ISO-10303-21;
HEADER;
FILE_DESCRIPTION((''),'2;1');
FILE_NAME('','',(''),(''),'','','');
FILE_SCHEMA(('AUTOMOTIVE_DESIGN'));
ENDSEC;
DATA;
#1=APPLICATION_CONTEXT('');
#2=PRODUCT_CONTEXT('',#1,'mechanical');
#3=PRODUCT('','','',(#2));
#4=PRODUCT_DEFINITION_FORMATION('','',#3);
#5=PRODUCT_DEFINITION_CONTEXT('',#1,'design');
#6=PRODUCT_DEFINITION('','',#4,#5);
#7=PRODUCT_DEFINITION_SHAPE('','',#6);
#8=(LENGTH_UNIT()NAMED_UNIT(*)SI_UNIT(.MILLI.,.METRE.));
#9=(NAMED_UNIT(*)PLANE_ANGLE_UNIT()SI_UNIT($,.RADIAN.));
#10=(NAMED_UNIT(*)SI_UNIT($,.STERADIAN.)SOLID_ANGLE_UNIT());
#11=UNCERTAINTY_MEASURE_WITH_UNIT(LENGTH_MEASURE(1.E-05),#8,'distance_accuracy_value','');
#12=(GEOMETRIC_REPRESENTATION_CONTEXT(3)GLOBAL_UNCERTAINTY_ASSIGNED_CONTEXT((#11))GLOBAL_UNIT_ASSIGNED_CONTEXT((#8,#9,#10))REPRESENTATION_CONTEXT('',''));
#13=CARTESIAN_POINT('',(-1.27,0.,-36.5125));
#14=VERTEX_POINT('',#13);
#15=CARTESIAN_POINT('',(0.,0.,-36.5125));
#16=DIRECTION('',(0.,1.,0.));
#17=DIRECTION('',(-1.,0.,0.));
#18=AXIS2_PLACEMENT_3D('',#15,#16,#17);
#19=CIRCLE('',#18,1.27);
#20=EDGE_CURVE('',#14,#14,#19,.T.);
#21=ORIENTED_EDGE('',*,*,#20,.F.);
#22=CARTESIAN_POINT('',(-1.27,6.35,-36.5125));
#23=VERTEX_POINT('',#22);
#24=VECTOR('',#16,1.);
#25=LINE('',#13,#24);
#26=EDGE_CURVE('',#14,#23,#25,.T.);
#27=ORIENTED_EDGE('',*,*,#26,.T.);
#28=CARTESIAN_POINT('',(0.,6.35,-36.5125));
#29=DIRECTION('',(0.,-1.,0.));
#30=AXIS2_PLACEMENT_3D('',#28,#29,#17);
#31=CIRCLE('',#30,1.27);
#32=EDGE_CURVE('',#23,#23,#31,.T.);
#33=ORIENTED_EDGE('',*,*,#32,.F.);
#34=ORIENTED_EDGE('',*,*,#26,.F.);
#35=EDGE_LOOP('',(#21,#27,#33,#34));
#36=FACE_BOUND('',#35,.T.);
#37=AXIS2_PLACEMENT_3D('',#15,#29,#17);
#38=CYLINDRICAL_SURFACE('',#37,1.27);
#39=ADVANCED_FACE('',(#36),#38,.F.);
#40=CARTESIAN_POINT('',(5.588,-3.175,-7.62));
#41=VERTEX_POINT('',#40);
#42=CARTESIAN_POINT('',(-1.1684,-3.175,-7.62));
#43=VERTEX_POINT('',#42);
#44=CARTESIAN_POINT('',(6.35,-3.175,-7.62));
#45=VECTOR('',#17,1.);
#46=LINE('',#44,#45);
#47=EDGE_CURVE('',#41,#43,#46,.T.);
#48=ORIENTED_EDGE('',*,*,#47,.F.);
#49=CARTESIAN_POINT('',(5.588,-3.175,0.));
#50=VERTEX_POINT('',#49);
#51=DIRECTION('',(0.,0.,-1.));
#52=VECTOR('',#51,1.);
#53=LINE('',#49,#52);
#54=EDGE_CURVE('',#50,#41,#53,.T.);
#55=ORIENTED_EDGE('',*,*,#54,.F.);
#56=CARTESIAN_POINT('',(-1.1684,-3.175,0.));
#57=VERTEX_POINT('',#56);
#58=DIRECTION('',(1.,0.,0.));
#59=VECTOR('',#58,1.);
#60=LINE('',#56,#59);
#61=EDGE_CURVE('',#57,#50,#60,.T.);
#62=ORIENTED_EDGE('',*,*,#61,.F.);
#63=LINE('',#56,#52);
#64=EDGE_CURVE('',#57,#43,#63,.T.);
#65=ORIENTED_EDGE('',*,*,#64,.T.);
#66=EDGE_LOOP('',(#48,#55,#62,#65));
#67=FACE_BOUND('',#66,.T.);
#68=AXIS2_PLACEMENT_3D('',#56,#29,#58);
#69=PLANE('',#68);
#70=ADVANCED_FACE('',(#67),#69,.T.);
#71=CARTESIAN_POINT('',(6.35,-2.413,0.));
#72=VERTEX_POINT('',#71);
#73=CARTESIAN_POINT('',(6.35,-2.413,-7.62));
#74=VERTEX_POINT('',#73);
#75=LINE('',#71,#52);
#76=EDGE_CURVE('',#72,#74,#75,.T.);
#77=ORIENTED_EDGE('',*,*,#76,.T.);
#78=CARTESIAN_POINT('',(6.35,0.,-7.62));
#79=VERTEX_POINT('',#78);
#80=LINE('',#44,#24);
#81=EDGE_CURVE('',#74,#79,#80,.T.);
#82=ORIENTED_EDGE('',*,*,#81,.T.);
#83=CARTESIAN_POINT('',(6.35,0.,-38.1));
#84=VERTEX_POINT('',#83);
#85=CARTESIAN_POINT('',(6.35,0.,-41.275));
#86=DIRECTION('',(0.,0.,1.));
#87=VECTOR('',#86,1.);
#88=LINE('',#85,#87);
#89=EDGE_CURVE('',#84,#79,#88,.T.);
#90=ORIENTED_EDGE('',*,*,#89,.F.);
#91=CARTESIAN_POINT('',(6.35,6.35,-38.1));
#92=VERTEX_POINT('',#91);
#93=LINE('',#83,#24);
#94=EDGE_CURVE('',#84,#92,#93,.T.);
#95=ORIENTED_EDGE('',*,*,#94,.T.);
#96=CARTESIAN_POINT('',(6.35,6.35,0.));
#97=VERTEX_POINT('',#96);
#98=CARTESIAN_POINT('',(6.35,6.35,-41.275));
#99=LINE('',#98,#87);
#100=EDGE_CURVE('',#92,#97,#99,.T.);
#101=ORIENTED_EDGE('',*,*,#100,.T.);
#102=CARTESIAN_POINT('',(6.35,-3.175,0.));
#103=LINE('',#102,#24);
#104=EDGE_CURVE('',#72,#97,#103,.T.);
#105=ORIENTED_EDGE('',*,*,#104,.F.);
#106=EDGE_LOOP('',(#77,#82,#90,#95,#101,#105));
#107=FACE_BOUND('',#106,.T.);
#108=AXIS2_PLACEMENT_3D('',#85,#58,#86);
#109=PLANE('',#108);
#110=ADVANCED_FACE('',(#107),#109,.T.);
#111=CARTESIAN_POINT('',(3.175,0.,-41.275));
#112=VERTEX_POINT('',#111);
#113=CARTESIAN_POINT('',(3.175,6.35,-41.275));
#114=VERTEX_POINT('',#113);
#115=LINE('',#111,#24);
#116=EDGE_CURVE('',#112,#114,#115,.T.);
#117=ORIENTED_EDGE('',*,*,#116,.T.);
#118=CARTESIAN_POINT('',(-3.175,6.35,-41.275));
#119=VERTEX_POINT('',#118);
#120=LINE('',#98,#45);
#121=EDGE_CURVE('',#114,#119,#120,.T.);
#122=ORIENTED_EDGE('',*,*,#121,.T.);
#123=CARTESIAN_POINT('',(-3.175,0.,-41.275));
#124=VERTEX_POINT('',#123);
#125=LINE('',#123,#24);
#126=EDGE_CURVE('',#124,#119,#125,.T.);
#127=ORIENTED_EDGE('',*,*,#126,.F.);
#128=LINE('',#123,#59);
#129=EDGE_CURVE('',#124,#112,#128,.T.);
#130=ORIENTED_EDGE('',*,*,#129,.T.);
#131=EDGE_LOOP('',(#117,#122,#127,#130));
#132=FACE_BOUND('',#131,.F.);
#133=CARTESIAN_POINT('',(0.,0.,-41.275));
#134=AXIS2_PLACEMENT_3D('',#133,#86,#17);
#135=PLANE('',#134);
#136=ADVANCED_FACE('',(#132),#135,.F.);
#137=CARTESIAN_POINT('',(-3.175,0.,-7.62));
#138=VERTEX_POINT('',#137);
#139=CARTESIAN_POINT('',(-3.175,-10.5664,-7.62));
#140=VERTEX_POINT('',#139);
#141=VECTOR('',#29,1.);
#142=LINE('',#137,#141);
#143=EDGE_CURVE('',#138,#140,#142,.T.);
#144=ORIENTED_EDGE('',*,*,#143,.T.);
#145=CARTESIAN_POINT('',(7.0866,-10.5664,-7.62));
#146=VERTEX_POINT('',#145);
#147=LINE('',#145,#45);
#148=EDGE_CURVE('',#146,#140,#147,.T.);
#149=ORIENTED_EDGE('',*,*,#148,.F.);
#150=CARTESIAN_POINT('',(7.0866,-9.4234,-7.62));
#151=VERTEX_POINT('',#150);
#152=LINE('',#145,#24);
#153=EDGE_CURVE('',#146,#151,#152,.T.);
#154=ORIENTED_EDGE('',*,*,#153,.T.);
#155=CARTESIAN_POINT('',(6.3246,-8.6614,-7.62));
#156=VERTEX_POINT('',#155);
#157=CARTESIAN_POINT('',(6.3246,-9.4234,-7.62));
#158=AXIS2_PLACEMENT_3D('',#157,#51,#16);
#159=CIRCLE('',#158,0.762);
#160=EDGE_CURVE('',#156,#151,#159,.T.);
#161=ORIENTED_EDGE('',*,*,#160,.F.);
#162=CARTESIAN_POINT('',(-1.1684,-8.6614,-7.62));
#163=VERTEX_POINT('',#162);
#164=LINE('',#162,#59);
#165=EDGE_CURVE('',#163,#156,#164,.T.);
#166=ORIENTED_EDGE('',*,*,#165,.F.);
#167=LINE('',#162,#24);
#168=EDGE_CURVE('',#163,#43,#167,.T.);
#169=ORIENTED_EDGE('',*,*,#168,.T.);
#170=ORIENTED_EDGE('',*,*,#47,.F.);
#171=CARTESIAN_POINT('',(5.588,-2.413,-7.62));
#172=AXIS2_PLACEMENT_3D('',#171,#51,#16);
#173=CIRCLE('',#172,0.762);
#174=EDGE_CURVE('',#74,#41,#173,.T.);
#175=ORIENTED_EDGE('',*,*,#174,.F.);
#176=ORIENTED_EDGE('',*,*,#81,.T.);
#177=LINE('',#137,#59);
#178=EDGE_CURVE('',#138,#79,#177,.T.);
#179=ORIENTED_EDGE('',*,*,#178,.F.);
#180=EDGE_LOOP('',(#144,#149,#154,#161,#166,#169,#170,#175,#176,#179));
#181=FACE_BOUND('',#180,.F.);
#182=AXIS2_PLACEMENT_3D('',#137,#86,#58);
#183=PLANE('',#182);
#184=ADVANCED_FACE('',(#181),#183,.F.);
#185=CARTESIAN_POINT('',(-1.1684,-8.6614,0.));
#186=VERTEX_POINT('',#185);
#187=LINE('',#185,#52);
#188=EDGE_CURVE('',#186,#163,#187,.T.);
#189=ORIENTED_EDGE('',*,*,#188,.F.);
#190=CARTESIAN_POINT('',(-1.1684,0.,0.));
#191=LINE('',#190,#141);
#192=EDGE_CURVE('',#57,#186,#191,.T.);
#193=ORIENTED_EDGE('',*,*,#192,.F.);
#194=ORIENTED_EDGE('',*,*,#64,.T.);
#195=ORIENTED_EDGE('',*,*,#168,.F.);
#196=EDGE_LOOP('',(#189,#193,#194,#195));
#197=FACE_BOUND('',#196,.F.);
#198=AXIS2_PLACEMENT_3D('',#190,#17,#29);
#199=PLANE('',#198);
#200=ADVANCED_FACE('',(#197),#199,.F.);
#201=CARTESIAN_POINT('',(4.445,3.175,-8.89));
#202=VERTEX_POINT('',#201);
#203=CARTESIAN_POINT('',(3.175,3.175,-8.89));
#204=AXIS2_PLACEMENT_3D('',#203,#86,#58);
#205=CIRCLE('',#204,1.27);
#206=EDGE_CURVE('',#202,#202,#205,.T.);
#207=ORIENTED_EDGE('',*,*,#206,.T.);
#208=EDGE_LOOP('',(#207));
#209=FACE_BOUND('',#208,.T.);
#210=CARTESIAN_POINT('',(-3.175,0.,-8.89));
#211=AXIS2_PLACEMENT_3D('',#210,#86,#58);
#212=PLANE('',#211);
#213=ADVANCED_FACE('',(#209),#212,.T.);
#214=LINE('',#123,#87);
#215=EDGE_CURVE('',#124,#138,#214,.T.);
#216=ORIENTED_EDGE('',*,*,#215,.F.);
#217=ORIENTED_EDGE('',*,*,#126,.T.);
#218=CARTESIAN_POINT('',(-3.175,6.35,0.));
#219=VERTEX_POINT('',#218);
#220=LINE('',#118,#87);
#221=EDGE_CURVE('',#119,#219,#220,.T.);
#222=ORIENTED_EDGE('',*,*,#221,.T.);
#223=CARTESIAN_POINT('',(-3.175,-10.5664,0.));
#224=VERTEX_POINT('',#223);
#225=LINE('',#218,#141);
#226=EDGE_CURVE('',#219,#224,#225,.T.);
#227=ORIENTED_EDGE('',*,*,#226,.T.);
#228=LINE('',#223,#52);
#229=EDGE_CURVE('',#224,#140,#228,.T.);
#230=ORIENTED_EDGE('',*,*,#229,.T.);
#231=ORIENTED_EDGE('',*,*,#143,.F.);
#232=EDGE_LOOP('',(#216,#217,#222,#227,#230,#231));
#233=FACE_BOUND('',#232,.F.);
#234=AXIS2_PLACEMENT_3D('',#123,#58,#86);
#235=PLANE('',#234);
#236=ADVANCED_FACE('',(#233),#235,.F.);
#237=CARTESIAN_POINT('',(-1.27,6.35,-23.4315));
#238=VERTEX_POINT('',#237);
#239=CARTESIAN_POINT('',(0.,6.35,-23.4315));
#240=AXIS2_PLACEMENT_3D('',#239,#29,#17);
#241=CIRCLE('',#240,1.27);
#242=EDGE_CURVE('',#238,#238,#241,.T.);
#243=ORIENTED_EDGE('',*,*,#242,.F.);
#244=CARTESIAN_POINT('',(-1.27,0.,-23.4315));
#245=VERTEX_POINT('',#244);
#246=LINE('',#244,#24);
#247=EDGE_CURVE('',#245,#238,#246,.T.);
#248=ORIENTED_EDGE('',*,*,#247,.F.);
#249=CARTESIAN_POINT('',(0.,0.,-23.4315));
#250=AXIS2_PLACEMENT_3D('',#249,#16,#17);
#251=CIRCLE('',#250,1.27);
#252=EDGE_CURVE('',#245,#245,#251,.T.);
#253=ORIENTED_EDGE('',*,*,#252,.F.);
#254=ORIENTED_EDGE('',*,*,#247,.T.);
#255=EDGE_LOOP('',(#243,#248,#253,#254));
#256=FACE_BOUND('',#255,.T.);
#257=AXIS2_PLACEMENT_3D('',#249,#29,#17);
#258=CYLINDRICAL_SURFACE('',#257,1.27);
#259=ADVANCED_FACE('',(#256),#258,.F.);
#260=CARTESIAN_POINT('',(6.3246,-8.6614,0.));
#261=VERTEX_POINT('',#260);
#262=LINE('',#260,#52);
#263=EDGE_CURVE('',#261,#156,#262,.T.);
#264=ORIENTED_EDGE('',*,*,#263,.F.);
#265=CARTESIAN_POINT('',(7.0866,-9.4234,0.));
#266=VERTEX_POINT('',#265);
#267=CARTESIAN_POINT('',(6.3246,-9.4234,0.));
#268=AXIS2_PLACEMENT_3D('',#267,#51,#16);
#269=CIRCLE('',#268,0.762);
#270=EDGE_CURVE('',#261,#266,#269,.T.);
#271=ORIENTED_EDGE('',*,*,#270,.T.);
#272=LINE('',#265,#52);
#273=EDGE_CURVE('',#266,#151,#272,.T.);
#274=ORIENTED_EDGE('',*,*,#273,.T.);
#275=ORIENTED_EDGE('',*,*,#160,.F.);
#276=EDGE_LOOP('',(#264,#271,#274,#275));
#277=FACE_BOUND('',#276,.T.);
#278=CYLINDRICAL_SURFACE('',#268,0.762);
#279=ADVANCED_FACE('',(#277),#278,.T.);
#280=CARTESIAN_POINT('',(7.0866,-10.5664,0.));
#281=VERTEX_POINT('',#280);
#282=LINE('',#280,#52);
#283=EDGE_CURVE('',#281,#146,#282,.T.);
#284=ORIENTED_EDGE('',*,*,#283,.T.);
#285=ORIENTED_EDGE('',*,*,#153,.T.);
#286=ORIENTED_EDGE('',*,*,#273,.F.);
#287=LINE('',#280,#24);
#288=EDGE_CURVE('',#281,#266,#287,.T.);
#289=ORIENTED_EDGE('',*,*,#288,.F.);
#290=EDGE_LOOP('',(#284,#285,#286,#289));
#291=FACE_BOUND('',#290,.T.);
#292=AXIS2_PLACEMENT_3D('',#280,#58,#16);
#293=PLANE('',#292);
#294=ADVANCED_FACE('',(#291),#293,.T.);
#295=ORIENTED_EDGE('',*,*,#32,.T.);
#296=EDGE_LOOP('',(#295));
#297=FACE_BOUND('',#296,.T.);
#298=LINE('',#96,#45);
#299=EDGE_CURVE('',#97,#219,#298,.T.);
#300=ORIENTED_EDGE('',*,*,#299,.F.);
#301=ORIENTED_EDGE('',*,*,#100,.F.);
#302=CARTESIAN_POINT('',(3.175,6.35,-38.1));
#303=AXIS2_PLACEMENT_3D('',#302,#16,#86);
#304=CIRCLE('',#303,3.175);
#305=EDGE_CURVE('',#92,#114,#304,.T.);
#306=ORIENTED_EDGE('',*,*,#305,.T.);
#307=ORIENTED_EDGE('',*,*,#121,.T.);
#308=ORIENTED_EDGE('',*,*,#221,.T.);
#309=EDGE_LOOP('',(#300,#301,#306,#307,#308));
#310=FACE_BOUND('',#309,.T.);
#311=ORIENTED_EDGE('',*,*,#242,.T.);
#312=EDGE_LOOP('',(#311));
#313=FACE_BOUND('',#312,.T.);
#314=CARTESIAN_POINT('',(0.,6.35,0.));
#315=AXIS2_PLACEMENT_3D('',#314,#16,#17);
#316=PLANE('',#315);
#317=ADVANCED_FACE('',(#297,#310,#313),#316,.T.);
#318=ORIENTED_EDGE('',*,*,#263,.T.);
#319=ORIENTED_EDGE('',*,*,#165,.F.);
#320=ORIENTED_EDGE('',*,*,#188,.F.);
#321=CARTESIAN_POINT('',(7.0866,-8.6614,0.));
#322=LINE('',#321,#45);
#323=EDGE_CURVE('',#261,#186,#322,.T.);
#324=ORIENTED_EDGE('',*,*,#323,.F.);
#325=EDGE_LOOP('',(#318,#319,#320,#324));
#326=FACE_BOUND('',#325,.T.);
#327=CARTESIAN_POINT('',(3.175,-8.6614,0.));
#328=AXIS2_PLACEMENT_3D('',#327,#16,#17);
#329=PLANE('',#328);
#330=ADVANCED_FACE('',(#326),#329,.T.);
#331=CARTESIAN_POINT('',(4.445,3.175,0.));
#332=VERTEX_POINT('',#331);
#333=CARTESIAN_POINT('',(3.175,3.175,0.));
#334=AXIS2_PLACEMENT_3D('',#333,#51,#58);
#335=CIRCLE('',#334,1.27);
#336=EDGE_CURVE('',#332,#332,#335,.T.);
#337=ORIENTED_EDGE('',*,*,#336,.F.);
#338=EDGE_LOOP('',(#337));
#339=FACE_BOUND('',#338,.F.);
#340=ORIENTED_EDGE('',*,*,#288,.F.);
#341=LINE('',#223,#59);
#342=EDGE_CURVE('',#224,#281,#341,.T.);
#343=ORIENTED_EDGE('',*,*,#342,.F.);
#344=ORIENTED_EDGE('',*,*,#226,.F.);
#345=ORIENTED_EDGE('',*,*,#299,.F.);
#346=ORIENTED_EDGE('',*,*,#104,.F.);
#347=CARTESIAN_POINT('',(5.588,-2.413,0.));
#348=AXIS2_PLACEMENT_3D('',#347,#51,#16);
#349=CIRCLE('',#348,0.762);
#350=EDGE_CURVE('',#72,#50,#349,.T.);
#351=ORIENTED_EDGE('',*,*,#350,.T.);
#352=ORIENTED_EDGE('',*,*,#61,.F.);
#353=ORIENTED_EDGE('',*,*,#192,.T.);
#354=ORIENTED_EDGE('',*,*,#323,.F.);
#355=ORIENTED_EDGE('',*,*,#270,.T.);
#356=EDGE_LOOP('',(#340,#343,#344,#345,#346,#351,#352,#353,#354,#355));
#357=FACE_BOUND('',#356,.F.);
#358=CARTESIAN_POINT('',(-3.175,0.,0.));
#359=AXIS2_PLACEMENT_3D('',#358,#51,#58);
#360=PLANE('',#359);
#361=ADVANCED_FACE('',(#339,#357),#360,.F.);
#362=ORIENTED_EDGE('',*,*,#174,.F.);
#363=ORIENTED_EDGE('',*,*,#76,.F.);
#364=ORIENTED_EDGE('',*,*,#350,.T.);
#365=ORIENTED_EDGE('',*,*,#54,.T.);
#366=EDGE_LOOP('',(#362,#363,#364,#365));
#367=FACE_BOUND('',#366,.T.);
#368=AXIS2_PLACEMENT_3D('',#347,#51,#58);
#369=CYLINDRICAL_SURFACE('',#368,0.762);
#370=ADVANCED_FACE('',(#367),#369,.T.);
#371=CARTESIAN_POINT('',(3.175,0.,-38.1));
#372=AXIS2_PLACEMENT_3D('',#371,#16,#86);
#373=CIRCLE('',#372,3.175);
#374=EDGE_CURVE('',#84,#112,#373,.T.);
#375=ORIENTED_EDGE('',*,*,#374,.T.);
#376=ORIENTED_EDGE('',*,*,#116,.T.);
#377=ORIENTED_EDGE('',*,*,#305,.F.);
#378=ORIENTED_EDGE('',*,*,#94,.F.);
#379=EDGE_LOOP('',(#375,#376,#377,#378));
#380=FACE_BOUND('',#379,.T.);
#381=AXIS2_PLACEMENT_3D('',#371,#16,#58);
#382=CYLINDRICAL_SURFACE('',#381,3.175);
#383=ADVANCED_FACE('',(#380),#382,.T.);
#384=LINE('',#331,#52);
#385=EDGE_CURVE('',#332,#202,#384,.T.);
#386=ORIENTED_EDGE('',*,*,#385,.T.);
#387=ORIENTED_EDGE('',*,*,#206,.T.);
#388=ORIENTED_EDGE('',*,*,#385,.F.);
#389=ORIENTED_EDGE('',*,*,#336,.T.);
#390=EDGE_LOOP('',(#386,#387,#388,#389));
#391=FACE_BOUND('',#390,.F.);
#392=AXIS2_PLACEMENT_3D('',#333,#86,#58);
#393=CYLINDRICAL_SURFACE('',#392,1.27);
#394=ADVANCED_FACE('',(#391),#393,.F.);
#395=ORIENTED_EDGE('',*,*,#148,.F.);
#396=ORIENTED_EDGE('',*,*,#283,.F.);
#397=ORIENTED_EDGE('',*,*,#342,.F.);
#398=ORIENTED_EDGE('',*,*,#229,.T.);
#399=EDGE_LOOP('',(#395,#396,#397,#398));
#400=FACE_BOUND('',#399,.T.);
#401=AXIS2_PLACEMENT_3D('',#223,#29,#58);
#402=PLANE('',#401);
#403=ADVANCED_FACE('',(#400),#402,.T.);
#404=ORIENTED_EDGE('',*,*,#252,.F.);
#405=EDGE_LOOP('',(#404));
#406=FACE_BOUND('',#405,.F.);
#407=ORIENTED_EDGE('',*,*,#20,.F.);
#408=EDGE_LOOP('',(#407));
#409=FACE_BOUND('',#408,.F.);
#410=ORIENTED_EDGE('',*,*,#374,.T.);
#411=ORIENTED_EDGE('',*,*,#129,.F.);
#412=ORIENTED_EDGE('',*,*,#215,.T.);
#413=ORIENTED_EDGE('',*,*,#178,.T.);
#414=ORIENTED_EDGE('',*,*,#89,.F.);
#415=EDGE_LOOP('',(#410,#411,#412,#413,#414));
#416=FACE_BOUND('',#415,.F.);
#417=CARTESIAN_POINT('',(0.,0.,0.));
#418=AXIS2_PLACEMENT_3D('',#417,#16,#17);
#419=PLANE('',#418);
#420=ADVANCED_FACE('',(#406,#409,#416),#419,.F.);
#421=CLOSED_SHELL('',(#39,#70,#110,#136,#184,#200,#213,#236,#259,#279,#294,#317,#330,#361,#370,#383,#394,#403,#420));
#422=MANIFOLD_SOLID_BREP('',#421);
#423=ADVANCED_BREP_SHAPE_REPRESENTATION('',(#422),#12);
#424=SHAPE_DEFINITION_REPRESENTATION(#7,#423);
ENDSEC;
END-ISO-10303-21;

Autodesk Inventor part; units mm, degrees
ref_plane "YZ Plane" through (0, 0, 0) normal (1, 0, 0) x (0, 1, 0)
ref_plane "XZ Plane" through (0, 0, 0) normal (0, 1, 0) x (-1, 0, 0)
ref_plane "XY Plane" through (0, 0, 0) normal (0, 0, 1) x (1, 0, 0)
sketch "Sketch1" plane through (0, 0, 0) normal (0, 1, 0) x (-1, 0, 0)
  line L0 (0, 0) -> (0, -41.275)
  line L1 (0, -41.275) -> (0, -36.5125)
  line L2 (0, -36.5125) -> (0, -23.4315)
  circle A0 centre (0, -36.5125) radius 1.27
  circle A1 centre (0, -23.4315) radius 1.27
  line L3 (0, -41.275) -> (3.175, -41.275)
  line L4 (3.175, -41.275) -> (3.175, 0)
  line L5 (3.175, 0) -> (0, 0)
  line L6 (0, -41.275) -> (-6.35, -41.275)
  line L7 (-6.35, -41.275) -> (-6.35, 0)
  line L8 (-6.35, 0) -> (0, 0)
  dimension "d0" = 41.275
  dimension "d1" = 4.7625
  dimension "d2" = 13.081
  dimension "d3" = 2.54
  dimension "d4" = 2.54
  dimension "d5" = 3.175
  dimension "d6" = 6.35
extrude "Extrusion1" add sketch "Sketch1" along normal blind 6.35
extrude "Extrusion2" cut sketch "Sketch1" along normal blind 6.35 contours A1 L0 | L0 A1 | A0 L0 | L0 A0
sketch "Sketch3" plane through (-3.175, 0, 0) normal (0, 0, 1) x (1, 0, 0)
  line L0 (0, 0) -> (9.525, 0) projected
  line L1 (9.525, 0) -> (9.525, 6.35) projected
  line L2 (0, 6.35) -> (9.525, 6.35) projected
  line L3 (0, 0) -> (0, 6.35) projected
  circle A0 centre (6.35, 3.175) radius 1.27
  line L4 (6.35, 3.175) -> (2.0066, 3.175)
  line L5 (2.0066, 3.175) -> (2.0066, 0)
  line L6 (9.525, 0) -> (0, 0) projected
  line L7 (6.35, 3.175) -> (6.35, -8.6614)
  line L8 (2.0066, 0) -> (2.0066, -8.6614)
  line L9 (2.0066, -8.6614) -> (2.0066, -10.5664)
  line L10 (2.0066, -10.5664) -> (10.2616, -10.5664)
  line L11 (10.2616, -10.5664) -> (10.2616, -8.6614)
  line L12 (10.2616, -8.6614) -> (6.35, -8.6614)
  line L13 (0, 0) -> (0, -10.5664)
  line L14 (0, -10.5664) -> (2.0066, -10.5664)
  line L15 (0, 0) -> (2.0066, 0)
  line L16 (6.35, -8.6614) -> (2.0066, -8.6614)
  line L17 (2.0066, -8.6614) -> (2.0066, 0)
  line L18 (6.35, 3.175) -> (6.35, -3.175)
  line L19 (9.525, 0) -> (2.0066, 0)
  line L20 (2.0066, 0) -> (2.0066, -3.175)
  line L21 (2.0066, -3.175) -> (9.525, -3.175)
  line L22 (9.525, -3.175) -> (9.525, 0)
  point P0 (3.175, 0)
  dimension "d11" = 2.54
  dimension "d14" = 3.175
  dimension "d15" = 9.525
  dimension "d16" = 4.3434
  dimension "d17" = 11.8364
  dimension "d18" = 1.905
  dimension "d19" = 8.255
  dimension "d22" = 6.35
extrude "Extrusion3" cut sketch "Sketch3" against normal blind 8.89 contours L7 L4 A0 | A0 L4 L7
extrude "Extrusion4" add sketch "Sketch3" against normal blind 7.62 contours L0 L8 L9 L14 L13 | L9 L16 L12 L11 L10
extrude "Extrusion5" add sketch "Sketch3" against normal blind 7.62 contours L0 L7 L21 L8 | L0 L22 L21 L7
fillet "Fillet1" radius 3.175 1 edges at (6.35, 3.175, -41.275)
fillet "Fillet2" radius 0.762 2 edges at (6.35, -3.175, -3.81) (7.0866, -8.6614, -3.81)
properties part number "photoTransistorHolderRight"
